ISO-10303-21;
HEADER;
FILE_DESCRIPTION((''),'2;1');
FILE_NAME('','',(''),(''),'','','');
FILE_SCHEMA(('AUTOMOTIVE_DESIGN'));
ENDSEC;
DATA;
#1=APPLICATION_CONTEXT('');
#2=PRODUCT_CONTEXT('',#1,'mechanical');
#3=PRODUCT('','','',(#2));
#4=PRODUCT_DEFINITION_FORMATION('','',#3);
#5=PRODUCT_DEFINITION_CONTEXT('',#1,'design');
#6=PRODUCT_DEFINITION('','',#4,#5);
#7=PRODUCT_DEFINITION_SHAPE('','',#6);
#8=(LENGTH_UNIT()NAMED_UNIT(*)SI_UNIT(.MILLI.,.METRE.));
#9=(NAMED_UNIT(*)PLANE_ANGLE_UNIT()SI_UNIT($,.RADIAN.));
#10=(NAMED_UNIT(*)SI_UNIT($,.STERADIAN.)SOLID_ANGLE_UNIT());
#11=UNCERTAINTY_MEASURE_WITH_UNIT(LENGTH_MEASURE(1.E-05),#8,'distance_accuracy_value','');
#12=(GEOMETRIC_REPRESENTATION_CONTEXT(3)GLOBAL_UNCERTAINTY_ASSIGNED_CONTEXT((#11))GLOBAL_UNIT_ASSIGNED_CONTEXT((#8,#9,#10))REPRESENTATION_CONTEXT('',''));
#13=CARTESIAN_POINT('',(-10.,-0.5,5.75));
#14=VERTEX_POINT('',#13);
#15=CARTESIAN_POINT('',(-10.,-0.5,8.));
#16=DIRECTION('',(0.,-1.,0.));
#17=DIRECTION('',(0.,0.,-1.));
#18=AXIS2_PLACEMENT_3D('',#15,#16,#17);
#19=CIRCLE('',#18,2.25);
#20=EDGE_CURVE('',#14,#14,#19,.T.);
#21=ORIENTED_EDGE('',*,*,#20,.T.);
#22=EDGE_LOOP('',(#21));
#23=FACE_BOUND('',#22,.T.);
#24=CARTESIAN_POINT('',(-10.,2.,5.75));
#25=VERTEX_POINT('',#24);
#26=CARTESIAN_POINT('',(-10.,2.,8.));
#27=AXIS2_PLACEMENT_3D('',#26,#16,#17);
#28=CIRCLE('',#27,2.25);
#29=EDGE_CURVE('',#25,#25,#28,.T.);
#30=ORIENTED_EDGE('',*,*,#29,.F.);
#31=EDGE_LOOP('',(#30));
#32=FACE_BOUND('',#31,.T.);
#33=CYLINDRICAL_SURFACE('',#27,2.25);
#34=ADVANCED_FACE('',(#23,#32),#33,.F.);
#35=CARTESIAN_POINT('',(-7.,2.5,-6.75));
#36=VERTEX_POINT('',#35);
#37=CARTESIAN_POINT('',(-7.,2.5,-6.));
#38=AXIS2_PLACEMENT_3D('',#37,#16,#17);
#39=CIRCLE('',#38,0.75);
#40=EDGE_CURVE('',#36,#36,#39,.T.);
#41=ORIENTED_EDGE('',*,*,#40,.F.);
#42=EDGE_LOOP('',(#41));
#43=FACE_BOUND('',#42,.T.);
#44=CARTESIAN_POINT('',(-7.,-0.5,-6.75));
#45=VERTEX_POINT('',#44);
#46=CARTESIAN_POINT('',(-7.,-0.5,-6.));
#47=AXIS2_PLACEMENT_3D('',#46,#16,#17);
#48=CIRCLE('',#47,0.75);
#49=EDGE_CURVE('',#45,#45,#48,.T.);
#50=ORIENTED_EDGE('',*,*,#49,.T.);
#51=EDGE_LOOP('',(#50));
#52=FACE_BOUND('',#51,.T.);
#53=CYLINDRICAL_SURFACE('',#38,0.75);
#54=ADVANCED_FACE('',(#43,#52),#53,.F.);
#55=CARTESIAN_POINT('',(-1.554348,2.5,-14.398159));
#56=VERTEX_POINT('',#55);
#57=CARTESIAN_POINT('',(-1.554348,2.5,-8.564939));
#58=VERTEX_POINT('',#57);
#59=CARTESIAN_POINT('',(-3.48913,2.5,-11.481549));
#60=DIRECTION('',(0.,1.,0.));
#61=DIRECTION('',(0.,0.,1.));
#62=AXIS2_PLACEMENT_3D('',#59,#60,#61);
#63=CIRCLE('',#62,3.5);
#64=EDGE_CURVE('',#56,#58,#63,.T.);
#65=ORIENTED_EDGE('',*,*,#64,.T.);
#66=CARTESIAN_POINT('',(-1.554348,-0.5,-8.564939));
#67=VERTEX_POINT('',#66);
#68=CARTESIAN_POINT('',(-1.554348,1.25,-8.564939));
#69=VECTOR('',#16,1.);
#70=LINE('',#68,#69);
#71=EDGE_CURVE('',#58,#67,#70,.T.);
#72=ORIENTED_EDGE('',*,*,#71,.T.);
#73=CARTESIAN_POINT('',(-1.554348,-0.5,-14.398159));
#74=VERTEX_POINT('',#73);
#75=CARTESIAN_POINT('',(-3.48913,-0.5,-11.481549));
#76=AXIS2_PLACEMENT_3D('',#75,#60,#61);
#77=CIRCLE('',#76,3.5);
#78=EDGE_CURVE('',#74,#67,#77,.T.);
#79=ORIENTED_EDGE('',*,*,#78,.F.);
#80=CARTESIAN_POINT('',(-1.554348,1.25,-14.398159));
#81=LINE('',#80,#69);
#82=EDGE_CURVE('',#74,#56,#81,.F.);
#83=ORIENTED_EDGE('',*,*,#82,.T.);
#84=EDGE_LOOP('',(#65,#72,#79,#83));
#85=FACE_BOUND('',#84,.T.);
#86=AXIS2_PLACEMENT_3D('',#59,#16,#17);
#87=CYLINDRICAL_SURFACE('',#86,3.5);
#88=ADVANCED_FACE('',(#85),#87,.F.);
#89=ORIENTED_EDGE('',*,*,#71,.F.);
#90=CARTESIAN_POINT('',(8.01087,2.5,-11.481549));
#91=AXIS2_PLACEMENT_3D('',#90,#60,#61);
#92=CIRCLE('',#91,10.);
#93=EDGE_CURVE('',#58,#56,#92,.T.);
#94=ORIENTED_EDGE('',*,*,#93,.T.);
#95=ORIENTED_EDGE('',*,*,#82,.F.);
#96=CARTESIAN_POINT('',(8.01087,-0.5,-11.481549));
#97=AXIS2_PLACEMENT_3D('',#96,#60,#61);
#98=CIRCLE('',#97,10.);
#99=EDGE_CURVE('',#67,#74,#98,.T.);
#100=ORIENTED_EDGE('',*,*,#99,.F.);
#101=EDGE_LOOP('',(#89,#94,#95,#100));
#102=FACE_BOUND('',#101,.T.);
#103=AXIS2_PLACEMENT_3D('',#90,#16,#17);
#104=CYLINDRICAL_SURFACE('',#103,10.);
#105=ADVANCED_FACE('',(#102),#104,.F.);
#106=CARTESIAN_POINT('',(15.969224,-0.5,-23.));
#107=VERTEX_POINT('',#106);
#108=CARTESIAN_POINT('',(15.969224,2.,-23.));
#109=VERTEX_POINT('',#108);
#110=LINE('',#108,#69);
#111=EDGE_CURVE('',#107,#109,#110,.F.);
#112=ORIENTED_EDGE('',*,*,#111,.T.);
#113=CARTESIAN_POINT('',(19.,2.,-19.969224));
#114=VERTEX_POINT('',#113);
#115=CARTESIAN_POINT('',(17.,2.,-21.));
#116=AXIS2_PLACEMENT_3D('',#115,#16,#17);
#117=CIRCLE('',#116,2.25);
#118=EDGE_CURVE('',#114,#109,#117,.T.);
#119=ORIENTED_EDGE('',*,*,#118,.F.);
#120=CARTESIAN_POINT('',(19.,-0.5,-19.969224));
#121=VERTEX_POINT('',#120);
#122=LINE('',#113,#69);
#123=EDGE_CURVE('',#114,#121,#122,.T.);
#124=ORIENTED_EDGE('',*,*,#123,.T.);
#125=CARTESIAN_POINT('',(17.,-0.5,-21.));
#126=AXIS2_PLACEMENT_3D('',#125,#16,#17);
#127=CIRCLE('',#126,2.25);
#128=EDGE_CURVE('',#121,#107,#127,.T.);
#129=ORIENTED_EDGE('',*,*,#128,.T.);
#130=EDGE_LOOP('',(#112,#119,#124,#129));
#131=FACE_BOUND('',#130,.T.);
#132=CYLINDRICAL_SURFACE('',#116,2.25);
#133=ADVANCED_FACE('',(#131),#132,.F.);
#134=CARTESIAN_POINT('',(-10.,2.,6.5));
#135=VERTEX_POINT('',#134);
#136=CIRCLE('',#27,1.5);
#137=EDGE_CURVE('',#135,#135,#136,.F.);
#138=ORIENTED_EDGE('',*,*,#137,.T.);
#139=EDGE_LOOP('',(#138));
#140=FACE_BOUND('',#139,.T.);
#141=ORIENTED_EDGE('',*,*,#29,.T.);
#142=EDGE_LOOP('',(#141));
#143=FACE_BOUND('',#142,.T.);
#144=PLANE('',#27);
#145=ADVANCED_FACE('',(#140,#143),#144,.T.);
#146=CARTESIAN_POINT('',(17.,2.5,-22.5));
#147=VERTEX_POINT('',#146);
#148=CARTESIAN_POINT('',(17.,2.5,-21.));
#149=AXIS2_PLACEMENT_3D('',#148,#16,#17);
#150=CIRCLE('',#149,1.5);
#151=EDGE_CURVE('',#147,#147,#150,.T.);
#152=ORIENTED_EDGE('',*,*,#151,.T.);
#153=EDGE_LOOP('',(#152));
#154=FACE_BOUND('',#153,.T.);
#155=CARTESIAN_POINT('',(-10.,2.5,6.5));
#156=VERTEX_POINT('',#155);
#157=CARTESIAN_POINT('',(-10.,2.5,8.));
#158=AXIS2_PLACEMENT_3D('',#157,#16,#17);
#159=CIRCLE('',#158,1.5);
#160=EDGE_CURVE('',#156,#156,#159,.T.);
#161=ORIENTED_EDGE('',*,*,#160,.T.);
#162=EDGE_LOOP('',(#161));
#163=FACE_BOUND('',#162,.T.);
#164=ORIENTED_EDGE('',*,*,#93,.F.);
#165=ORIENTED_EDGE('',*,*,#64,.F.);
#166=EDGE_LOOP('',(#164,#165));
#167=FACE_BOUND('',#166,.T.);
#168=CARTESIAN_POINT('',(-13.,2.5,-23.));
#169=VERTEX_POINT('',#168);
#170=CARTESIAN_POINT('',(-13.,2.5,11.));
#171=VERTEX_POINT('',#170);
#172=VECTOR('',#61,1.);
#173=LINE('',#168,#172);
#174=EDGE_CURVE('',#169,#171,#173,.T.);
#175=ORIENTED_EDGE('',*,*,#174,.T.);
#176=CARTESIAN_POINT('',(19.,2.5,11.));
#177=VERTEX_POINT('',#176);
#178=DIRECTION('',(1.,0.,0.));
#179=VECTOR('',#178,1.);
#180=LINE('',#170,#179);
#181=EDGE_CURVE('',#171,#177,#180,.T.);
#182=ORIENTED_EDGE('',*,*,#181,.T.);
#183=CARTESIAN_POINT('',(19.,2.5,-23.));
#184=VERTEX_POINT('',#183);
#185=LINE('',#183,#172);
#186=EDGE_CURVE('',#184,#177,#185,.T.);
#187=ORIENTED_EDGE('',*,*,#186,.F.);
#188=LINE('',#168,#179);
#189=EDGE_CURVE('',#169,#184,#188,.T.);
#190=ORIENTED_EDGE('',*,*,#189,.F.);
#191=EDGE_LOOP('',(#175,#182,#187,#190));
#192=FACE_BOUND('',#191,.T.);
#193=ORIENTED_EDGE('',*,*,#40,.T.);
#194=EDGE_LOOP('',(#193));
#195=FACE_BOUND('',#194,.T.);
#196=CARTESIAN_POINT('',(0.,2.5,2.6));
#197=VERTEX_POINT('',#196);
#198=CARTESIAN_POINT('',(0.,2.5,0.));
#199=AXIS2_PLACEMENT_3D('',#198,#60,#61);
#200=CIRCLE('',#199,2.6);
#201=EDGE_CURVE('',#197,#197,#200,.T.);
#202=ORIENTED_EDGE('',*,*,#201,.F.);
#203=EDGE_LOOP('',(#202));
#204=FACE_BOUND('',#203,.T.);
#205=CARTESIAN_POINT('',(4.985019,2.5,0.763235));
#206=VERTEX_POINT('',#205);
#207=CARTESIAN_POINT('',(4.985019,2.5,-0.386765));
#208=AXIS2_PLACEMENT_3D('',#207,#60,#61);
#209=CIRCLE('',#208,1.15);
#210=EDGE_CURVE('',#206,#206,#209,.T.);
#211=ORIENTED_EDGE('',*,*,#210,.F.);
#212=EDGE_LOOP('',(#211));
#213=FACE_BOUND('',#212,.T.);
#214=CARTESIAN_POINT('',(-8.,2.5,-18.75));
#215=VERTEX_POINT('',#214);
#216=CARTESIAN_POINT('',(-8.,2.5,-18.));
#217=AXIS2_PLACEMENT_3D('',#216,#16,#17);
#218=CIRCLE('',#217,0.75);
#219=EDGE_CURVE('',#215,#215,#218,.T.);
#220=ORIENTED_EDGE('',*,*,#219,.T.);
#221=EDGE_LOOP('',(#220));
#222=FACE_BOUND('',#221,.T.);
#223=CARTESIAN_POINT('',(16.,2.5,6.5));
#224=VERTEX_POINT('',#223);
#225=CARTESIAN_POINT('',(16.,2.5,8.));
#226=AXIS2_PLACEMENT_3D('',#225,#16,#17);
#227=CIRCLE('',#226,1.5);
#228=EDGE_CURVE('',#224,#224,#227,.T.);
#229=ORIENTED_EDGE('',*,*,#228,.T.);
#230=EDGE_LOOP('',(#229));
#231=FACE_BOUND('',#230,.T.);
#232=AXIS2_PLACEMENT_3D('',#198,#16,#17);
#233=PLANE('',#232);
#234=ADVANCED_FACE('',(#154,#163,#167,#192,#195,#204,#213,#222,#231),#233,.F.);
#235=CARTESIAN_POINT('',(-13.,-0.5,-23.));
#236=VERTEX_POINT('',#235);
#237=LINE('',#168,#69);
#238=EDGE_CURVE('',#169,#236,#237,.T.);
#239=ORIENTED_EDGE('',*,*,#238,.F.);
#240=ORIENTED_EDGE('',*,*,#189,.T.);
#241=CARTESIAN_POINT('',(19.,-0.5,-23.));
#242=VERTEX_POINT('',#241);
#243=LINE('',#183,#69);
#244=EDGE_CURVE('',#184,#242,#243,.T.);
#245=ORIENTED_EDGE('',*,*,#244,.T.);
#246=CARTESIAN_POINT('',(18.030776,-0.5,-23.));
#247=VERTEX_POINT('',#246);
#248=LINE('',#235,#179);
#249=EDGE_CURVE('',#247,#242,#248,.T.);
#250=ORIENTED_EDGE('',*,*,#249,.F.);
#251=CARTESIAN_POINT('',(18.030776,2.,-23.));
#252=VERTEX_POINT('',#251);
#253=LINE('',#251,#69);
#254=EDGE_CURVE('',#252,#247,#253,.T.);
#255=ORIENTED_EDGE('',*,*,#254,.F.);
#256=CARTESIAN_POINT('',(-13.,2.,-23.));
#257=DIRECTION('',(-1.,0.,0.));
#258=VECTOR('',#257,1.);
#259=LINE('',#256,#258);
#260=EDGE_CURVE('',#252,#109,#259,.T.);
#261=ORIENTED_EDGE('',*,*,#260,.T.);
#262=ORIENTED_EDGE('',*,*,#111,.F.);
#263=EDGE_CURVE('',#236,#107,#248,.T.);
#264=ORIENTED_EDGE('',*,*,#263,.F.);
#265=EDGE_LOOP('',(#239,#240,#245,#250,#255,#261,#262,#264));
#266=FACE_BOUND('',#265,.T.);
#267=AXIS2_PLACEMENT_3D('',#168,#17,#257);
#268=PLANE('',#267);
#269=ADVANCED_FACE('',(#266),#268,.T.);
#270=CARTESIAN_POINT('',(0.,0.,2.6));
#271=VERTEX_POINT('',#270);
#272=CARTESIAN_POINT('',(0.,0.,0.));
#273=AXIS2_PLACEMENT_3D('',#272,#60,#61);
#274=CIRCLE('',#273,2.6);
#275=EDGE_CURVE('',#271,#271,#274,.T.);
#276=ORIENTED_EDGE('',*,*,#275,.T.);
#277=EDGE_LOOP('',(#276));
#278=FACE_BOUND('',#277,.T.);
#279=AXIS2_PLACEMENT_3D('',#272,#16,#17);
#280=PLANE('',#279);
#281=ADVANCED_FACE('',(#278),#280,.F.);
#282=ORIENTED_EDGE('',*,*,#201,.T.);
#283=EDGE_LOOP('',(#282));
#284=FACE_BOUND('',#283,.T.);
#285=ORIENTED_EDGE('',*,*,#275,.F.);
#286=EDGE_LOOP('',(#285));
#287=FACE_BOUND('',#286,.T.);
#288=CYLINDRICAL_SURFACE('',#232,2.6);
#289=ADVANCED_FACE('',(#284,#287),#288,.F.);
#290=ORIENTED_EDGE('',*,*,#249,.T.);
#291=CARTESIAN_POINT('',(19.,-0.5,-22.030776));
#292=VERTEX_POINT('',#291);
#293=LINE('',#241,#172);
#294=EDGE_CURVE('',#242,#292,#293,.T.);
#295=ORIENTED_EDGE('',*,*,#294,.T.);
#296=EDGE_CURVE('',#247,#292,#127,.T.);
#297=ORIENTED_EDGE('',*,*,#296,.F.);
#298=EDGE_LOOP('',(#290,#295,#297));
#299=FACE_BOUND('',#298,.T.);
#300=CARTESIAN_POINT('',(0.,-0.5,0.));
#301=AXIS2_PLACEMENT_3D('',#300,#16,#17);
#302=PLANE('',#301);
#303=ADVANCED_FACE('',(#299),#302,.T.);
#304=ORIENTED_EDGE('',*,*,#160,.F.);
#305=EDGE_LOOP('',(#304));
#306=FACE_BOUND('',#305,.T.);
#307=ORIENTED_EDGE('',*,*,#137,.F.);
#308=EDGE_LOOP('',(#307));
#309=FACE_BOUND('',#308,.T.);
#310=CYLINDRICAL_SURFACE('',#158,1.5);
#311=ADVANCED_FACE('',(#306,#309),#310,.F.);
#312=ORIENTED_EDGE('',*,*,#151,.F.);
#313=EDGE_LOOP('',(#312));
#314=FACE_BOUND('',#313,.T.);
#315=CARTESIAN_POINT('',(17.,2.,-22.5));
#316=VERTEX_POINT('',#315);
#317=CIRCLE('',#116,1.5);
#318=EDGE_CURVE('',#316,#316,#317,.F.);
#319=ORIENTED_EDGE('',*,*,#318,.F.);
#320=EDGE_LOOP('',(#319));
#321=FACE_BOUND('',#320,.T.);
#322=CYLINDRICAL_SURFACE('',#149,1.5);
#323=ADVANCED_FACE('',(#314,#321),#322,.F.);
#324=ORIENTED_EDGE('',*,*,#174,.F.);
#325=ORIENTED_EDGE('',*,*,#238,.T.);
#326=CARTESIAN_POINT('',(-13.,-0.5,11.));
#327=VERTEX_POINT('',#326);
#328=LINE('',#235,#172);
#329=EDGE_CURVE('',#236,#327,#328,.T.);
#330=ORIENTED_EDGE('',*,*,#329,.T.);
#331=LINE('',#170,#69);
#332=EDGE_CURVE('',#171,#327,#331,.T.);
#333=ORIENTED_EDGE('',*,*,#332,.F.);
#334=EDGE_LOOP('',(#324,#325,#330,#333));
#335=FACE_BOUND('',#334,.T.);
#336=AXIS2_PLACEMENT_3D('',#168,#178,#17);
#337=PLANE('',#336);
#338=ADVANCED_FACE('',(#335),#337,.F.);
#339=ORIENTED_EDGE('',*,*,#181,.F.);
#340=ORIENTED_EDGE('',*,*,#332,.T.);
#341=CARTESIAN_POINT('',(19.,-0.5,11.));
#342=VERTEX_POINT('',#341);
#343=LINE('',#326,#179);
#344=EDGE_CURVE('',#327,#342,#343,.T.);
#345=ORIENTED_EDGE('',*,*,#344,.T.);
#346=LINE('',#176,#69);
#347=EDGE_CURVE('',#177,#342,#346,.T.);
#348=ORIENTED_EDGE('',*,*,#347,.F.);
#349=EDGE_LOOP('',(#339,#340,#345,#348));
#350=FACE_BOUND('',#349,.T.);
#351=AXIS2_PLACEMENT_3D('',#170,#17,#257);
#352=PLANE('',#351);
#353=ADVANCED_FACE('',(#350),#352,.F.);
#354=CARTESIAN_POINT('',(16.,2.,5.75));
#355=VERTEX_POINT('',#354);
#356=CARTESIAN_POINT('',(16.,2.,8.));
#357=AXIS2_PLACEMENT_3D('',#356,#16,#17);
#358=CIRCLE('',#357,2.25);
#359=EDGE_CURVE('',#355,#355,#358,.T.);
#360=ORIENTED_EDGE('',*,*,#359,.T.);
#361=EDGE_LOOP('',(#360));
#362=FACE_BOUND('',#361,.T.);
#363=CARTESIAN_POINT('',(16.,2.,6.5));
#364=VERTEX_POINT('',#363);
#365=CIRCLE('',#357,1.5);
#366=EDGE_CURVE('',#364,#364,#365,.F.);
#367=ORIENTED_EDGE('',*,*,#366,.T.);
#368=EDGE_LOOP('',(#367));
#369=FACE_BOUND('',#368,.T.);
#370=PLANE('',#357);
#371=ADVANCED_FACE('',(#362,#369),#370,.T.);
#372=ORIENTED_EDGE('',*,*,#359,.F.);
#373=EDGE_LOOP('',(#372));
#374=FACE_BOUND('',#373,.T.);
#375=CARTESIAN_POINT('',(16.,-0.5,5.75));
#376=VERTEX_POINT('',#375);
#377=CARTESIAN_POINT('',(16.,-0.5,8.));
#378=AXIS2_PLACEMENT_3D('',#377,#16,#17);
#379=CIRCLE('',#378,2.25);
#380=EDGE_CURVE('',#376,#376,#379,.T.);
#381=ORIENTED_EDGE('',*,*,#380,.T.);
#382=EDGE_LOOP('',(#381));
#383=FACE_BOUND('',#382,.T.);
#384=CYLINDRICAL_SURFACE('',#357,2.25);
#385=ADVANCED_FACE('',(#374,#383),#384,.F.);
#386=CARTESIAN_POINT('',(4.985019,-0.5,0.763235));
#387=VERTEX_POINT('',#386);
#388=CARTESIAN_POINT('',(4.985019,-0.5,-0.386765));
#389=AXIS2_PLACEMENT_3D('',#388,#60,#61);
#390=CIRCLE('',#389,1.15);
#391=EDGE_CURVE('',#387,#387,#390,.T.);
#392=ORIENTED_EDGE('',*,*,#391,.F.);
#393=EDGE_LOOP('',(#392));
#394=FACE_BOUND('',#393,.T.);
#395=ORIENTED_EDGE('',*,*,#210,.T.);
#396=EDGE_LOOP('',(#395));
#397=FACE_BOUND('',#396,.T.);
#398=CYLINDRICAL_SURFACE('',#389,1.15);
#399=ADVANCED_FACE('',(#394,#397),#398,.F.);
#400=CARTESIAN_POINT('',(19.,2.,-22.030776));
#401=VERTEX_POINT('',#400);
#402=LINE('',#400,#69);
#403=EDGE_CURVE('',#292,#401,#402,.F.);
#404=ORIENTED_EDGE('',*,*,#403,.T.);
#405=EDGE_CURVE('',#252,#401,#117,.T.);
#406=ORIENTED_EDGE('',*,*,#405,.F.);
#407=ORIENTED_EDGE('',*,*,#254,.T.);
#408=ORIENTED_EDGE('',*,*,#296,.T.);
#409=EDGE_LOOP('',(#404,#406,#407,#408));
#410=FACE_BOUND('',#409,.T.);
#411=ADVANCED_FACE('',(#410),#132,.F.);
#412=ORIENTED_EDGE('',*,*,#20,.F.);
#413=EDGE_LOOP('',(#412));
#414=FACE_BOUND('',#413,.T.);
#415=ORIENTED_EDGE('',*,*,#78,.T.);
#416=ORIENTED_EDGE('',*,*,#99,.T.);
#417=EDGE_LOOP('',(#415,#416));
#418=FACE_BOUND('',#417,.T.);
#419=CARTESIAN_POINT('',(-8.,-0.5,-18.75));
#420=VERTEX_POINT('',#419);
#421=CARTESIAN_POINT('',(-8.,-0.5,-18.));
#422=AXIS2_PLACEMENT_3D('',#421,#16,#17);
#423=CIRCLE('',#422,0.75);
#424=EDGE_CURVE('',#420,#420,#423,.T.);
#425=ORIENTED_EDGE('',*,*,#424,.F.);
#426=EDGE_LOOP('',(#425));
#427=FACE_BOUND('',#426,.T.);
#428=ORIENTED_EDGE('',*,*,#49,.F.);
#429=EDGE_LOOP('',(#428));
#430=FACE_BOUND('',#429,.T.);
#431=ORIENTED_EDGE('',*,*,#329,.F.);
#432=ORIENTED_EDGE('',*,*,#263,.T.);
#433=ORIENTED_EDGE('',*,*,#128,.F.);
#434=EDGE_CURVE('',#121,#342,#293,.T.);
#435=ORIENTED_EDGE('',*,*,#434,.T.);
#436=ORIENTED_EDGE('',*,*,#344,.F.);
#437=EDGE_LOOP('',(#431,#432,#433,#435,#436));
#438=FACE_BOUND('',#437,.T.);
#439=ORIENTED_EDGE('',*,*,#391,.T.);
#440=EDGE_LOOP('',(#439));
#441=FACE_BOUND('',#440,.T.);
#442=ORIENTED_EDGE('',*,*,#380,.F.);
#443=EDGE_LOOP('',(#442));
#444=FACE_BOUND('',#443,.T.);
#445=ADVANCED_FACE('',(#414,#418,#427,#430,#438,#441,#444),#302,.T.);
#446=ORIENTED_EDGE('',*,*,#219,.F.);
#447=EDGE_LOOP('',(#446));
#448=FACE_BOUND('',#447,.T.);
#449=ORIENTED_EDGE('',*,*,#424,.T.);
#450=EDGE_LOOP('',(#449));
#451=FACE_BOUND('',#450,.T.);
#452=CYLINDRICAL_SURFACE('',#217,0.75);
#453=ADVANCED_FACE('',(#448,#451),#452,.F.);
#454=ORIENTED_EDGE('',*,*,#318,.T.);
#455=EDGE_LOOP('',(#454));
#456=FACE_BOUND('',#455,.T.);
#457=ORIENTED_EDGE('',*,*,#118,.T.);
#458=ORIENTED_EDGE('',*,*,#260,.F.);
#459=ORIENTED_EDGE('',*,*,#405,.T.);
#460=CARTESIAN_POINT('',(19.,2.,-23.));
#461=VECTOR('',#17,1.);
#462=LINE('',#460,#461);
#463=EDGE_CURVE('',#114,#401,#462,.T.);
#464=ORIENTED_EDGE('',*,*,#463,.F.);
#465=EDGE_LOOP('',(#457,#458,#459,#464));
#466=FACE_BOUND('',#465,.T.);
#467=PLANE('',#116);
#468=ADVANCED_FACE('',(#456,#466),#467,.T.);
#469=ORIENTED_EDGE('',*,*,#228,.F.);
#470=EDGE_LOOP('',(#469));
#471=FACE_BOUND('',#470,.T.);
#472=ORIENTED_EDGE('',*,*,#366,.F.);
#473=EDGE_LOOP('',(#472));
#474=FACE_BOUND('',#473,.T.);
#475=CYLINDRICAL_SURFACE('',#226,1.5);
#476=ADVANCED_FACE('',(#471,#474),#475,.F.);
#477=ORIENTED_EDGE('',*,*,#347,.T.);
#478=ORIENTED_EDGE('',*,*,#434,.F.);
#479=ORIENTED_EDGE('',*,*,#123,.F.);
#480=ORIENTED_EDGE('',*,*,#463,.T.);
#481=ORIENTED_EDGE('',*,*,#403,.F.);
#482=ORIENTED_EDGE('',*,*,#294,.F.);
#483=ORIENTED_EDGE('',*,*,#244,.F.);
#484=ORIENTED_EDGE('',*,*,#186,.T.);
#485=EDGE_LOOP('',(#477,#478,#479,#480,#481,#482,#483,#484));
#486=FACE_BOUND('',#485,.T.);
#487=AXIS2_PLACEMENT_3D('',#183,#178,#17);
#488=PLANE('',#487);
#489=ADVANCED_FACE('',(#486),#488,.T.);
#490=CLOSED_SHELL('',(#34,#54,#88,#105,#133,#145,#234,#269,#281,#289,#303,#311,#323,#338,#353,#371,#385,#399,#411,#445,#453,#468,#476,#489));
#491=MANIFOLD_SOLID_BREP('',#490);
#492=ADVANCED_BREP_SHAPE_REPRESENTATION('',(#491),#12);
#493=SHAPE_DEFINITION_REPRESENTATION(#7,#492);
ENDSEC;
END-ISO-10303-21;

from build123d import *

# Parameters (mm, degrees)
SKETCH_1_W               = 32
SKETCH_1_H               = 34
SKETCH_1_R               = 2.6
EXTRUDE_1_DEPTH          = 2.5
EXTRUDE_START            = -0.5
SKETCH_1_28_W            = 32
SKETCH_1_28_H            = 34
EXTRUDE_2_DEPTH          = 0.5
SKETCH_2_R               = 1.5
CUT_EXTRUDE_1_DEPTH      = 30.983328701
SKETCH_2_3_R             = 2.25
CUT_EXTRUDE_2_DEPTH      = 2.5
SKETCH_3_R               = 0.75
CUT_EXTRUDE_3_DEPTH      = 30.983328701
CUT_EXTRUDE_4_DEPTH      = 30.93743476
CUT_EXTRUDE_4_DEPTH_BACK = 30.93743476
SKETCH_1_29_R            = 1.15


with BuildPart() as part:
    # 草图1 → 凸台-拉伸1 (new body)
    with BuildSketch(Plane(origin=(0, 0, 0), x_dir=(1, 0, 0), z_dir=(0, 1, 0))):
        with Locations((3, 6)):
            Rectangle(SKETCH_1_W, SKETCH_1_H)
        with Locations(Location((0, 0, 0), (0, 0, 270))):
            Circle(SKETCH_1_R, mode=Mode.SUBTRACT)
        with BuildLine():
            ThreePointArc((-1.554347826, 8.564938654), (-6.989130435, 11.48154906), (-1.554347826, 14.398159465))
            ThreePointArc((-1.554347826, 14.398159465), (18.010869565, 11.48154906), (-1.554347826, 8.564938654))
        make_face(mode=Mode.SUBTRACT)
    extrude(amount=EXTRUDE_1_DEPTH)

    # 草图1<28> → 凸台-拉伸2 (add)
    with BuildSketch(Plane(origin=(0, 0, 0), x_dir=(1, 0, 0), z_dir=(0, 1, 0)).offset(EXTRUDE_START)):
        with Locations((3, 6)):
            Rectangle(SKETCH_1_28_W, SKETCH_1_28_H)
        with BuildLine():
            ThreePointArc((-1.554347826, 8.564938654), (-6.989130435, 11.48154906), (-1.554347826, 14.398159465))
            ThreePointArc((-1.554347826, 14.398159465), (18.010869565, 11.48154906), (-1.554347826, 8.564938654))
        make_face(mode=Mode.SUBTRACT)
    extrude(amount=EXTRUDE_2_DEPTH)

    # 草图2 → 切除-拉伸1 (cut, through all)
    with BuildSketch(Plane.XZ.offset(0.5)):
        with Locations(Location((17, -21, 0), (0, 0, 270))):
            Circle(SKETCH_2_R)
        with Locations(Location((-10, 8, 0), (0, 0, 270))):
            Circle(SKETCH_2_R)
        with Locations(Location((16, 8, 0), (0, 0, 270))):
            Circle(SKETCH_2_R)
    extrude(amount=-CUT_EXTRUDE_1_DEPTH, mode=Mode.SUBTRACT)

    # 草图2<3> → 切除-拉伸2 (cut)
    with BuildSketch(Plane.XZ.offset(0.5)):
        with Locations((17, -21)):
            Circle(SKETCH_2_3_R)
        with Locations(Location((-10, 8, 0), (0, 0, 270))):
            Circle(SKETCH_2_3_R)
        with Locations(Location((16, 8, 0), (0, 0, 270))):
            Circle(SKETCH_2_3_R)
    extrude(amount=-CUT_EXTRUDE_2_DEPTH, mode=Mode.SUBTRACT)

    # 草图3 → 切除-拉伸3 (cut, through all)
    with BuildSketch(Plane.XZ.offset(0.5)):
        with Locations(Location((-7, -6, 0), (0, 0, 270))):
            Circle(SKETCH_3_R)
        with Locations(Location((-8, -18, 0), (0, 0, 270))):
            Circle(SKETCH_3_R)
    extrude(amount=-CUT_EXTRUDE_3_DEPTH, mode=Mode.SUBTRACT)

    # 草图1<29> → 切除-拉伸4 (cut, two sides: drawn at the far end of the back side and taken through both)
    with BuildSketch(Plane(origin=(0, 0, 0), x_dir=(1, 0, 0), z_dir=(0, 1, 0)).offset(-CUT_EXTRUDE_4_DEPTH_BACK)):
        with Locations(Location((4.985018819, 0.386765274, 0), (0, 0, 270))):
            Circle(SKETCH_1_29_R)
    extrude(amount=CUT_EXTRUDE_4_DEPTH + CUT_EXTRUDE_4_DEPTH_BACK, mode=Mode.SUBTRACT)


solid = part.part
